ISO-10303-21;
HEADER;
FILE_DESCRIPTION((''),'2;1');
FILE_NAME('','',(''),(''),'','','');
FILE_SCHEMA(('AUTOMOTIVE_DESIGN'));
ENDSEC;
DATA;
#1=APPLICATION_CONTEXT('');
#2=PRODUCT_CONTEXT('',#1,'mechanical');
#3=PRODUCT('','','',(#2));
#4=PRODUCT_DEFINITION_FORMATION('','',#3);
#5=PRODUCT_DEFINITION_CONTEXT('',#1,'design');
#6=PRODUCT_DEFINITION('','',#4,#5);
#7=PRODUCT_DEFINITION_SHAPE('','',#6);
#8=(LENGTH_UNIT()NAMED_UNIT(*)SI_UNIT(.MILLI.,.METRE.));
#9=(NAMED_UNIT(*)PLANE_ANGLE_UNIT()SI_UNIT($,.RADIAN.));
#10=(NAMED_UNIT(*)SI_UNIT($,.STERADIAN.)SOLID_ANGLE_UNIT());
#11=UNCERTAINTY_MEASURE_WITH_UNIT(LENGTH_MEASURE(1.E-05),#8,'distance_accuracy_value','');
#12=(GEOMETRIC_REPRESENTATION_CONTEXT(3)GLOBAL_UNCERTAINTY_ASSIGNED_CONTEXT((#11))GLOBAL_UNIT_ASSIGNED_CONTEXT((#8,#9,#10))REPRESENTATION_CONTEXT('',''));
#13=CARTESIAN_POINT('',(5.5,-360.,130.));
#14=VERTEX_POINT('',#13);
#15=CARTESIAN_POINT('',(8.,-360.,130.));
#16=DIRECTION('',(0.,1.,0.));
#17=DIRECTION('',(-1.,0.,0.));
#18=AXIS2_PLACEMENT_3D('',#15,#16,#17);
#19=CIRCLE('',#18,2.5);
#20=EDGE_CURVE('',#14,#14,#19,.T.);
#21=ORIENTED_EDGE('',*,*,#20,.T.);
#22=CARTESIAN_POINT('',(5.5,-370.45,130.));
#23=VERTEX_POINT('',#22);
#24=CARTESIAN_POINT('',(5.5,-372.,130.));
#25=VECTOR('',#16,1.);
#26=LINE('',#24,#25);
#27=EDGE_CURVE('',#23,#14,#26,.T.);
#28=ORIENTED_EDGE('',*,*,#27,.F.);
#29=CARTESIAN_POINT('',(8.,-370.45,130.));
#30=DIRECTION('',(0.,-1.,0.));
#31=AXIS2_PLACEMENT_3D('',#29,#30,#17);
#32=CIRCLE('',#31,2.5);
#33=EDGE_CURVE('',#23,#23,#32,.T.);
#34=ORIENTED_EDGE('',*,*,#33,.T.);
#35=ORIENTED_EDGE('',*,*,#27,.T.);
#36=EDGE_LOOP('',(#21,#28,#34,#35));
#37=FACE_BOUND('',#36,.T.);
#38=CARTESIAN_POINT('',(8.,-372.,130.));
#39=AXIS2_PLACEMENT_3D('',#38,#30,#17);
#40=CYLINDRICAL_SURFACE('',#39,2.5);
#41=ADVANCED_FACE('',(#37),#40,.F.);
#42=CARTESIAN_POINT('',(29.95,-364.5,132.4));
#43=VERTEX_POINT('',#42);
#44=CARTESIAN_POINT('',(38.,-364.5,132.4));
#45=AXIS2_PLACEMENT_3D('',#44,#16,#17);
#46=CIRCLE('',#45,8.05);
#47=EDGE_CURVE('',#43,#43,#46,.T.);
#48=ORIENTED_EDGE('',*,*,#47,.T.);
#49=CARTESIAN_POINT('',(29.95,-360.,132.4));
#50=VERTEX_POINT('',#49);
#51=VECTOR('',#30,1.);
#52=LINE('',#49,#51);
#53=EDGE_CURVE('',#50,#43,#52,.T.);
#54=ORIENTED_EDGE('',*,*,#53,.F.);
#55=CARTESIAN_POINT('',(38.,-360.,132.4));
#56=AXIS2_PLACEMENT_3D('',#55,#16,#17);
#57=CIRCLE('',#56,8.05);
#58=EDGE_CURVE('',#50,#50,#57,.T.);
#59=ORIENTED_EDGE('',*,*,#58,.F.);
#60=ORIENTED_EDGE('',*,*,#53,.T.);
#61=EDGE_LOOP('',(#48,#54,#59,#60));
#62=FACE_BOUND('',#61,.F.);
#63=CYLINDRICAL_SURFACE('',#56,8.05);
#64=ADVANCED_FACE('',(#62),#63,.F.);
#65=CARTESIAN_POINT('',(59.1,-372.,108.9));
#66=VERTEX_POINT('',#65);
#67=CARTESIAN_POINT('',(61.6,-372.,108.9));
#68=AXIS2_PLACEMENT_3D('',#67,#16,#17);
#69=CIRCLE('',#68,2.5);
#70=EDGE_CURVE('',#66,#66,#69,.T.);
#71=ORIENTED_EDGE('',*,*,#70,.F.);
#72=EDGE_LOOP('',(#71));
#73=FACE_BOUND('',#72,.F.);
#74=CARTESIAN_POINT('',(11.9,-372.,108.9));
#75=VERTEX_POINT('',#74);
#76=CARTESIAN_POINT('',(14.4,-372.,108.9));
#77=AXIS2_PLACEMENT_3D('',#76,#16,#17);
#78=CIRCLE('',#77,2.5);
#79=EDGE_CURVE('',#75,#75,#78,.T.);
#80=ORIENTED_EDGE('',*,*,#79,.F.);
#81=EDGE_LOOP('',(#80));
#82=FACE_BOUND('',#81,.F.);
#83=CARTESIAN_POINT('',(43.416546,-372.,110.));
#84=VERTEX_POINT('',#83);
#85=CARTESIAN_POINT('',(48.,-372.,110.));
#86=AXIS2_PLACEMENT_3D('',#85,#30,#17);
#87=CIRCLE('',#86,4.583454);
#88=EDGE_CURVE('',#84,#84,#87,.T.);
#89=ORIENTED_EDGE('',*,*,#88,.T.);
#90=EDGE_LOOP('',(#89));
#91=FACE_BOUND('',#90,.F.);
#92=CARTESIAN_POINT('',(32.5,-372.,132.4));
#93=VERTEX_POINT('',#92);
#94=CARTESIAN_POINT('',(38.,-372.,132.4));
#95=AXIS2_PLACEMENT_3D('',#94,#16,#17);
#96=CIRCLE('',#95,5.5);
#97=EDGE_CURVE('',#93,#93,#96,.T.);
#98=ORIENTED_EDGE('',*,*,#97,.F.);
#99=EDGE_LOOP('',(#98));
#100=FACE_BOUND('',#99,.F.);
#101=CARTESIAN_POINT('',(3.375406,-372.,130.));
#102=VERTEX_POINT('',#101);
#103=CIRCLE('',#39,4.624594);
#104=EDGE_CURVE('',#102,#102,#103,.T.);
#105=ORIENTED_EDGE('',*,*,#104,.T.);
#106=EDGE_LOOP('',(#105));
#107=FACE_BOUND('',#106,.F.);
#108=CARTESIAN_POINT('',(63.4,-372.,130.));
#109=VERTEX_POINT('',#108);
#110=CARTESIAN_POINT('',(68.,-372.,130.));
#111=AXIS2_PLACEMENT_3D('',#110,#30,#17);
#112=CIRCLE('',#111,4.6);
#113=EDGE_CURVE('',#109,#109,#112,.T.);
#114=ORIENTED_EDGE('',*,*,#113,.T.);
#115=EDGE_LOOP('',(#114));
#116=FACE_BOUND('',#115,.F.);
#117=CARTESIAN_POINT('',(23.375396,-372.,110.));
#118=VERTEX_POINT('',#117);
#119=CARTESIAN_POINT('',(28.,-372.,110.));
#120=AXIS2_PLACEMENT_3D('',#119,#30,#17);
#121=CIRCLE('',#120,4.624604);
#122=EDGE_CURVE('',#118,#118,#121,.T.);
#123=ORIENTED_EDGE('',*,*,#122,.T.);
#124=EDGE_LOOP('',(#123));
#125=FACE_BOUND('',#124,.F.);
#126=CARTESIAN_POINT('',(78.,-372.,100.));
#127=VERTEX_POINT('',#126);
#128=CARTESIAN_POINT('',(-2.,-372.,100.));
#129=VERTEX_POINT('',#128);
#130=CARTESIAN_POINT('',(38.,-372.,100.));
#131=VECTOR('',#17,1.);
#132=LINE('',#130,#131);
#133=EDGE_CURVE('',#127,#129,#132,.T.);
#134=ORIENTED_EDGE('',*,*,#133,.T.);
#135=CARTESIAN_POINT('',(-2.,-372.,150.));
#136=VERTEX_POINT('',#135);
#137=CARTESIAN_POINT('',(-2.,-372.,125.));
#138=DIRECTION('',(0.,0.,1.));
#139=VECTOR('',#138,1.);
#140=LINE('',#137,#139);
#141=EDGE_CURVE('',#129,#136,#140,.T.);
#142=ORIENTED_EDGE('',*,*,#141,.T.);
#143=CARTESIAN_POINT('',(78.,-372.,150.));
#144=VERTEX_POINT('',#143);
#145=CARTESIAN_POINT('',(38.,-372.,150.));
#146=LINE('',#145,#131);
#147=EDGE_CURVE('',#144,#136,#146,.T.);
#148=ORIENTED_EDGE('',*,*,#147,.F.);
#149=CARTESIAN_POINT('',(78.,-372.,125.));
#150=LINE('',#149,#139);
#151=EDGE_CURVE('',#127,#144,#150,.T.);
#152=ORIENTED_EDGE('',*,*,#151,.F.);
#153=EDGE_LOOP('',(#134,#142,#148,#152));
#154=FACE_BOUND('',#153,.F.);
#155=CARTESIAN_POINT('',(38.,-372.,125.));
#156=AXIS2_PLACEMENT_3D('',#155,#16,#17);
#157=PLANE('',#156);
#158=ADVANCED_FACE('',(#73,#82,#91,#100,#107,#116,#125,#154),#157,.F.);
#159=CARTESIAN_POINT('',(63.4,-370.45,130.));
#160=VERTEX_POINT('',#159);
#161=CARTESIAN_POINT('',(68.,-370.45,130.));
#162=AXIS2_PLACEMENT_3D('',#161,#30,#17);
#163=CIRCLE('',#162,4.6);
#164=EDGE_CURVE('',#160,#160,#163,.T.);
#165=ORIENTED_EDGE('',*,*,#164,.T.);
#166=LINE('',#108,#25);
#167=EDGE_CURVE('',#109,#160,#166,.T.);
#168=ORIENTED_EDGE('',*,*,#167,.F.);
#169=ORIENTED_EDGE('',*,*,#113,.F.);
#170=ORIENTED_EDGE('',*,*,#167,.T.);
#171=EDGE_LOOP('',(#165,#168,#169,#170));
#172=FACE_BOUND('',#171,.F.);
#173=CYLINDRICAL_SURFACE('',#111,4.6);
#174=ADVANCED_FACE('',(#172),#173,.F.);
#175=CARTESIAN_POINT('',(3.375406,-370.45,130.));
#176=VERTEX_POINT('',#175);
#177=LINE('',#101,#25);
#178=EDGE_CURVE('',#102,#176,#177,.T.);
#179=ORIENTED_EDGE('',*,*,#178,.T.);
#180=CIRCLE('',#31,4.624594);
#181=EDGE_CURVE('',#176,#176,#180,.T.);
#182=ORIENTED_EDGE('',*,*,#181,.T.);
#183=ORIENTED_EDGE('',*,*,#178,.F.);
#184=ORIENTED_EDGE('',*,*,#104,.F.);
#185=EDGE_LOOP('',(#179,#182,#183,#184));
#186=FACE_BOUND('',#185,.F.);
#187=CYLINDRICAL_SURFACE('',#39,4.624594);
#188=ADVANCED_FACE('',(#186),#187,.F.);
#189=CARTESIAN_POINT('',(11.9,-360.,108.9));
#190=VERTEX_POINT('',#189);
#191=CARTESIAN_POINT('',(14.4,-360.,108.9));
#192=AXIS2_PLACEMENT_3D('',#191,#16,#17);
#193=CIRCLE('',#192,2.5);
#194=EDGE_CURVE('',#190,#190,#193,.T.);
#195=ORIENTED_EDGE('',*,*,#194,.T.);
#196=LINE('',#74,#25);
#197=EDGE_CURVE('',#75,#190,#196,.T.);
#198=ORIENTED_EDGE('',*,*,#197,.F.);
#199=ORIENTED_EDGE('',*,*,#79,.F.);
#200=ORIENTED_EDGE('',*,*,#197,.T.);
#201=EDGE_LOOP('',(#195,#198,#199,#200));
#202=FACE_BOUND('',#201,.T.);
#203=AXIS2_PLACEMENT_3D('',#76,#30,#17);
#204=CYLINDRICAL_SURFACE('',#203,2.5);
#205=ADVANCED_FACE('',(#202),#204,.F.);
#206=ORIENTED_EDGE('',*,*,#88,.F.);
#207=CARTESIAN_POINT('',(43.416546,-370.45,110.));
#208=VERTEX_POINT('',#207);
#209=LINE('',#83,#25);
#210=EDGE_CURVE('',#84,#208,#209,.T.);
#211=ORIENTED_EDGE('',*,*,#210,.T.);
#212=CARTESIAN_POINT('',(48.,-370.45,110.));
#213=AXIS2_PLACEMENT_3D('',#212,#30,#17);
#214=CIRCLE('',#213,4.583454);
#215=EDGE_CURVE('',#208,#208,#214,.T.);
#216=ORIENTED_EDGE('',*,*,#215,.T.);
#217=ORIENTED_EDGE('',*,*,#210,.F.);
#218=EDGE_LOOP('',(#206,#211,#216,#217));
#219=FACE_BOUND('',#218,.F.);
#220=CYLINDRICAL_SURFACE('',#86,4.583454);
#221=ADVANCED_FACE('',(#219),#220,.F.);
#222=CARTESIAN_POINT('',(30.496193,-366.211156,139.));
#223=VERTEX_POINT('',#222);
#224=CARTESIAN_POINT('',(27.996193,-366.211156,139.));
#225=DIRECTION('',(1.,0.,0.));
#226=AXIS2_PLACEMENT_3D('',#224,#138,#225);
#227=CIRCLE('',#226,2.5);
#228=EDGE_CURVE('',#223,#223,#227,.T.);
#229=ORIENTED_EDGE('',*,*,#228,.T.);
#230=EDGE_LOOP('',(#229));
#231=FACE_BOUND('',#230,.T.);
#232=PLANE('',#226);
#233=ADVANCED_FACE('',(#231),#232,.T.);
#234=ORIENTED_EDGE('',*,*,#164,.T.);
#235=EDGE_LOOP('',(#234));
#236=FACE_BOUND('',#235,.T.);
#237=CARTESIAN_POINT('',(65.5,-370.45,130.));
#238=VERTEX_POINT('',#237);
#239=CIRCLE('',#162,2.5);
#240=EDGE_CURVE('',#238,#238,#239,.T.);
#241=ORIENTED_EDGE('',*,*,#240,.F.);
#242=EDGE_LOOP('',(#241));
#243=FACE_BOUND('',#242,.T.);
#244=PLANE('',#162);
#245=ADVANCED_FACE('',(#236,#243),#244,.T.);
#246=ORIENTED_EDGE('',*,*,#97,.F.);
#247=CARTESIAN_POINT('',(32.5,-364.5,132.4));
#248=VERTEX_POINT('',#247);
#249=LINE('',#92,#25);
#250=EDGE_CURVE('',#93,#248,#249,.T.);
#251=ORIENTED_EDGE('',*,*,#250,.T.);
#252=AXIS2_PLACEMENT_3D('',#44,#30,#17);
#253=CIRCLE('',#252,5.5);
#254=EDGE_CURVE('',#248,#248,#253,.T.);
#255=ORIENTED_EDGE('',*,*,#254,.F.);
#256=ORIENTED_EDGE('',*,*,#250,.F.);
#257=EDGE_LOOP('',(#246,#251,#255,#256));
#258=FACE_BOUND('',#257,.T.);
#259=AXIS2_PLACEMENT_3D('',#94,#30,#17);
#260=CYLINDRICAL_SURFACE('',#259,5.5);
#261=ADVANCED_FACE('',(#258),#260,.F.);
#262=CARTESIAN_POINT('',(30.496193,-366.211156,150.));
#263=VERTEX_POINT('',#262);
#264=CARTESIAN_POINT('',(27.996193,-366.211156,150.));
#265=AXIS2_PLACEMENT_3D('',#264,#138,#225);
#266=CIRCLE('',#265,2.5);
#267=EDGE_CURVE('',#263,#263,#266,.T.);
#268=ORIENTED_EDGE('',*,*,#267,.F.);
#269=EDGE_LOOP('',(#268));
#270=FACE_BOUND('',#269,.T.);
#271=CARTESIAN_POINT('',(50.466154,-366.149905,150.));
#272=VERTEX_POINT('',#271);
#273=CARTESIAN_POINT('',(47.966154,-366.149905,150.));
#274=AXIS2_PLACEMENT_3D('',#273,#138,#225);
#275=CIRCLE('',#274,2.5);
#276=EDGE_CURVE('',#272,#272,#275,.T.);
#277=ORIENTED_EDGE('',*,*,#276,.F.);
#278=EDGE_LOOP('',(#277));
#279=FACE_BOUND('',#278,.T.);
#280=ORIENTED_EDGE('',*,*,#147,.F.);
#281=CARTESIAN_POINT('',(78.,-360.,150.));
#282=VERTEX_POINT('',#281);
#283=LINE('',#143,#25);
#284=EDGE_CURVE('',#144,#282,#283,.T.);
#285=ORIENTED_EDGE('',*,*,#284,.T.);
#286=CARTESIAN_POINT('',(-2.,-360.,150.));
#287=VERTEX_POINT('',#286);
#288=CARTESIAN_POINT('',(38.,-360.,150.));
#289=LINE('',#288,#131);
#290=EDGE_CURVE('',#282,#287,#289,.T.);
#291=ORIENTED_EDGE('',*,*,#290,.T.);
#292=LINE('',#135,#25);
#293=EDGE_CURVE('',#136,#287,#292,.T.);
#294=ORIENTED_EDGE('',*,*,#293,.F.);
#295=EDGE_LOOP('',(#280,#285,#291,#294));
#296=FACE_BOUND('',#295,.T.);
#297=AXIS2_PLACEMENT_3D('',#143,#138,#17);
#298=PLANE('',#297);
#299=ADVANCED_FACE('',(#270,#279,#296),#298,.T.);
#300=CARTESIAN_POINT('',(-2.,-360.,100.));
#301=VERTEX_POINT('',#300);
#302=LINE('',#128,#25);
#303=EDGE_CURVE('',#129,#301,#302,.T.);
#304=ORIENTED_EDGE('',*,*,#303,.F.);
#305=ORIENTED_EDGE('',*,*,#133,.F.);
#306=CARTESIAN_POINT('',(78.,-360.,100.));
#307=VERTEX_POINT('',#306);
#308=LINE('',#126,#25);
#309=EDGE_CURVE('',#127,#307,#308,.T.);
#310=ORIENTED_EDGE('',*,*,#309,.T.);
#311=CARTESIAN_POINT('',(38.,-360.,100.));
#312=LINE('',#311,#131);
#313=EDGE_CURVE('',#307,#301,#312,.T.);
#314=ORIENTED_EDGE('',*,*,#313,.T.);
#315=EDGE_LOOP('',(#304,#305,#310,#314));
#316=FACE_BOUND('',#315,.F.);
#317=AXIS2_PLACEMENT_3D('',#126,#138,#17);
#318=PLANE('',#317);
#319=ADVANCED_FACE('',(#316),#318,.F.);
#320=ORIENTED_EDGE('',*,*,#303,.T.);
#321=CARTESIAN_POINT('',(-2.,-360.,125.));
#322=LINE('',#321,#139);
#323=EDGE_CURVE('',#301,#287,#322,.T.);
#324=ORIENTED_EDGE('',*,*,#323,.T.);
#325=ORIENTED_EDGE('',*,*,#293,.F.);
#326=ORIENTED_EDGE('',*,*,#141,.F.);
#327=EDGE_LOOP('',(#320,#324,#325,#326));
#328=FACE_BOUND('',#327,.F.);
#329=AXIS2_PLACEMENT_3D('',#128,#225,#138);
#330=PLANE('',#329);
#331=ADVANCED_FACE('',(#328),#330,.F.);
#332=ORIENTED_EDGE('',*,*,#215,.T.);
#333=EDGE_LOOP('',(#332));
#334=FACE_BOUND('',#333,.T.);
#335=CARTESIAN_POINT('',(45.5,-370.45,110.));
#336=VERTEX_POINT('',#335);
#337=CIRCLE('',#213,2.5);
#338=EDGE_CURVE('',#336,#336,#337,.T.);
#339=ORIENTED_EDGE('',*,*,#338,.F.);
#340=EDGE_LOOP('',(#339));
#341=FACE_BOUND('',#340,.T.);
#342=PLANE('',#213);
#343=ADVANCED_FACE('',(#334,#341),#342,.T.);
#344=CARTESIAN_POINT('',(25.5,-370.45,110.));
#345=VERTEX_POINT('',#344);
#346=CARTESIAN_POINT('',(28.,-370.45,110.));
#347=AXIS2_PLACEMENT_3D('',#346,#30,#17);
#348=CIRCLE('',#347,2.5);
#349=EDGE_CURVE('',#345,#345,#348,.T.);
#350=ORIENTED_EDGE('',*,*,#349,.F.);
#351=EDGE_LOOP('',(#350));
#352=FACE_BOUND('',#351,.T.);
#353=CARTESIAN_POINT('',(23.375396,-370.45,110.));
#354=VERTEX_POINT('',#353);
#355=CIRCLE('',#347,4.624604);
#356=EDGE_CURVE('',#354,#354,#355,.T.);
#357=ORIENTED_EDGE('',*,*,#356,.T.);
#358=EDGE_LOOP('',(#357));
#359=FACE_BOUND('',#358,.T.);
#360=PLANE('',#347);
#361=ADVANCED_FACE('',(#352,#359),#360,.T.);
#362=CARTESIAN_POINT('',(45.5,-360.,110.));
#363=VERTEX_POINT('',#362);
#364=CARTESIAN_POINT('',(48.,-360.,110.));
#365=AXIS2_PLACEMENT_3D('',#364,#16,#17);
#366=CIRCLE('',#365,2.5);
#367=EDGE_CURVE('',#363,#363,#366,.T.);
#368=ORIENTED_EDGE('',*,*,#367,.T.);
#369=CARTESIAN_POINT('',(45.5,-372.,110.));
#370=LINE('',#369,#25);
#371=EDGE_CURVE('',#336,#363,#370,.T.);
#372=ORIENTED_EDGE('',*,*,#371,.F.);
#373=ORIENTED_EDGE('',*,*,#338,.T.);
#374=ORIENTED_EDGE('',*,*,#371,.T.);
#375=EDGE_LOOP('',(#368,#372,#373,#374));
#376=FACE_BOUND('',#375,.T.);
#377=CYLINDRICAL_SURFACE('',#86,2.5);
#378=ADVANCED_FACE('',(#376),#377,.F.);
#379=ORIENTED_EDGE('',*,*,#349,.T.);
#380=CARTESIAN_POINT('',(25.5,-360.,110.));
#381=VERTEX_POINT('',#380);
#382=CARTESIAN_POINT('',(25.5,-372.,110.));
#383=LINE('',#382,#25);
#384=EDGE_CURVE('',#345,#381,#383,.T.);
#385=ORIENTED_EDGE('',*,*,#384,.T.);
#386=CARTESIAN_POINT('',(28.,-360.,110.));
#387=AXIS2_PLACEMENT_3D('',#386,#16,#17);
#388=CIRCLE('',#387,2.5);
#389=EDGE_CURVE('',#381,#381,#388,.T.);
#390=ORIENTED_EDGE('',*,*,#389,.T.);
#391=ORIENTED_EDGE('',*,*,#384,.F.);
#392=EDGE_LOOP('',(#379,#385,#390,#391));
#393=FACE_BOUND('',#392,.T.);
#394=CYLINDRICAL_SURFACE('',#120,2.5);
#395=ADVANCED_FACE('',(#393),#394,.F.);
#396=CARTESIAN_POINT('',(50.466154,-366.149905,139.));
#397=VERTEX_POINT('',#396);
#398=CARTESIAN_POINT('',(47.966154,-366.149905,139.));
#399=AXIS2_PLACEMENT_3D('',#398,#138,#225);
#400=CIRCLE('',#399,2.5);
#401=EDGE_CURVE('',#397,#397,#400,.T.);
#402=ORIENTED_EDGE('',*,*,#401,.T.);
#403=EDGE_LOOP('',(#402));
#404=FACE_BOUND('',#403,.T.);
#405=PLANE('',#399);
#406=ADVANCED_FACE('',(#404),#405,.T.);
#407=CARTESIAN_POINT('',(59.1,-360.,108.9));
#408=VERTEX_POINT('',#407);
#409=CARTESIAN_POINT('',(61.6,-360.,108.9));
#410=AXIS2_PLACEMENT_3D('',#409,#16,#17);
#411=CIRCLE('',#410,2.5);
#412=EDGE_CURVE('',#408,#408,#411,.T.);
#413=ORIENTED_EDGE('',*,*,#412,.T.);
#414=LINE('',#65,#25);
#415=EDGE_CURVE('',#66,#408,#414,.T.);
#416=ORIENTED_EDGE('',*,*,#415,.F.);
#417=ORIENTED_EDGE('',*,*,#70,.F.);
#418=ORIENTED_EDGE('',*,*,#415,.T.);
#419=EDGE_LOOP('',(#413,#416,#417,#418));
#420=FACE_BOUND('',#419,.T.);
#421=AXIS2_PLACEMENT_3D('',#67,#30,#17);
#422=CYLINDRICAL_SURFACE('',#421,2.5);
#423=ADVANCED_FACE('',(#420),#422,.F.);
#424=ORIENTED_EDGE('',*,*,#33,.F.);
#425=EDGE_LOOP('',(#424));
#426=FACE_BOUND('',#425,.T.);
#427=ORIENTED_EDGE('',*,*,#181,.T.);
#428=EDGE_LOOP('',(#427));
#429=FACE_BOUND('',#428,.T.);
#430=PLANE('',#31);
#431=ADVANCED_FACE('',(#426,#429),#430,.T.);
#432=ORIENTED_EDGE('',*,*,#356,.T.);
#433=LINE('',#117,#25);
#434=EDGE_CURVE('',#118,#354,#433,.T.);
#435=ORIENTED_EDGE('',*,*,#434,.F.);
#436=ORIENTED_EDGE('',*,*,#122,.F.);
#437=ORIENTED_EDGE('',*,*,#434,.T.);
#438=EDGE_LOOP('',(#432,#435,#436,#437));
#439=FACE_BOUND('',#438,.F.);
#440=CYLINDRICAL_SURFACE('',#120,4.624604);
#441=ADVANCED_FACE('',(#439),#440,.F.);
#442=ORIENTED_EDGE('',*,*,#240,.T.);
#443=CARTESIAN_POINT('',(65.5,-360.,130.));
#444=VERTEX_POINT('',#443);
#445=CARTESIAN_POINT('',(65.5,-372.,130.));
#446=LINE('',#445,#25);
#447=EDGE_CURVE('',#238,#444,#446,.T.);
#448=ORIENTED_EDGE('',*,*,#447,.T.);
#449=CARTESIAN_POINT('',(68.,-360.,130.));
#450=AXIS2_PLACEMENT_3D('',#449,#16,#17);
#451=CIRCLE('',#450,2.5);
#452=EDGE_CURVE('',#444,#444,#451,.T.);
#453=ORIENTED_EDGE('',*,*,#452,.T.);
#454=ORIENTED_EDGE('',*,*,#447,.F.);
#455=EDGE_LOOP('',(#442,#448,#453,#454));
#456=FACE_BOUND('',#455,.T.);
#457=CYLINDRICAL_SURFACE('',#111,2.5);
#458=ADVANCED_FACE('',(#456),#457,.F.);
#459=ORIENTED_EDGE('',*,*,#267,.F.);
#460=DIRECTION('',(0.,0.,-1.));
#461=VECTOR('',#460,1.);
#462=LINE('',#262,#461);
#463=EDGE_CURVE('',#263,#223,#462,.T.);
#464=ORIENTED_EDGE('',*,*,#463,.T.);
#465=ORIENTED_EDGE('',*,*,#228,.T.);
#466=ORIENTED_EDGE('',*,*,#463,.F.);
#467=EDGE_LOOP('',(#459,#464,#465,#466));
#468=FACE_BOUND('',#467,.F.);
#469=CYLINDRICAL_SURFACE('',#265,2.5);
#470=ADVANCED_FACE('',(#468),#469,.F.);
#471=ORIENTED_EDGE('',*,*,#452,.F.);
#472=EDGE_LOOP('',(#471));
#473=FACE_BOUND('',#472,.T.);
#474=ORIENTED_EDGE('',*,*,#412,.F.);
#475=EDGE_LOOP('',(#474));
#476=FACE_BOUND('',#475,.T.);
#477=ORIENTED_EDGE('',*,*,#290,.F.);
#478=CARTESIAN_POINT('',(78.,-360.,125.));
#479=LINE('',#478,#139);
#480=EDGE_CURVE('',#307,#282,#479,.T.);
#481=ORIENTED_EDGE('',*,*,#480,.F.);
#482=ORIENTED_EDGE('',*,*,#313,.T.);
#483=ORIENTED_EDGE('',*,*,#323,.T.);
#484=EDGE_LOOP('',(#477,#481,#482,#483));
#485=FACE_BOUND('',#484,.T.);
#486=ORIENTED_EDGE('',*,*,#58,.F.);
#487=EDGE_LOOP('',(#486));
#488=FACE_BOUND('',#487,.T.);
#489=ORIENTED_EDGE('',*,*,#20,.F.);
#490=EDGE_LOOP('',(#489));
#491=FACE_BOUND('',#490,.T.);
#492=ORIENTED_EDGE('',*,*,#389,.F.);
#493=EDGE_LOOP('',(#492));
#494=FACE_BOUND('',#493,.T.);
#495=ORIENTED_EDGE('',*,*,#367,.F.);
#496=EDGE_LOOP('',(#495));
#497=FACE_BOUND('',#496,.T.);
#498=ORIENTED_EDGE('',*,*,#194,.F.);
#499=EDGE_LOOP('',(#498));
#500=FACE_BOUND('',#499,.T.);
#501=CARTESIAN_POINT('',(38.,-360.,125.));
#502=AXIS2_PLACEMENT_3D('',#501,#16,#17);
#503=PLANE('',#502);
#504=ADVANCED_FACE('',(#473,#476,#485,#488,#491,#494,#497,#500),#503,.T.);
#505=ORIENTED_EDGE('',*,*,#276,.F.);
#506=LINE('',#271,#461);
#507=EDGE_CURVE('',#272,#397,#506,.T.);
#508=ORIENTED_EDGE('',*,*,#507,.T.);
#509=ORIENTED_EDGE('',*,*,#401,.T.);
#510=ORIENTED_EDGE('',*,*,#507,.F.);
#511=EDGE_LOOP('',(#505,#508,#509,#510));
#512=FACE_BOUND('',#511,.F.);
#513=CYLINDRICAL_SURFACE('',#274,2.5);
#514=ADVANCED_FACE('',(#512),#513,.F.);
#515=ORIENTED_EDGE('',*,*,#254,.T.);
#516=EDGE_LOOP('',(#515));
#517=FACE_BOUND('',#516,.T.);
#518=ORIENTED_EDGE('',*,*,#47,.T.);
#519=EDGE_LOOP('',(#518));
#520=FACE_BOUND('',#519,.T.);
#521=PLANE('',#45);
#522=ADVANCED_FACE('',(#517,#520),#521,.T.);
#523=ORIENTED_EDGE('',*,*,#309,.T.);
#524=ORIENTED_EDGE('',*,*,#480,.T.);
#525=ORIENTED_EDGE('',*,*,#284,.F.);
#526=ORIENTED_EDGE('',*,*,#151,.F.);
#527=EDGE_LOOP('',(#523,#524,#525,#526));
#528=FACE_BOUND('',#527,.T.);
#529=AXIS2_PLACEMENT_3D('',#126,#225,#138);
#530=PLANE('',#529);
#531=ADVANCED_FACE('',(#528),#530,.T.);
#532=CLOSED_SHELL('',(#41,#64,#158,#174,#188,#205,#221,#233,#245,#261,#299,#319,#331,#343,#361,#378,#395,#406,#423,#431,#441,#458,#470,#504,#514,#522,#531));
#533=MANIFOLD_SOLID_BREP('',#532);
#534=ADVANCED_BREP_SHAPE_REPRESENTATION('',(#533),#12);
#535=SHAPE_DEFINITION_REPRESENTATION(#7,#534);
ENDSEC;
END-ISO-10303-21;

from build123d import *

# Parameters (mm, degrees)
SKETCH019_W     = 80
SKETCH019_H     = 50
SKETCH019_R     = 2.5
SKETCH019_R_2   = 5.5
PAD004_DEPTH    = 12
SKETCH020_R     = 2.5
POCKET012_DEPTH = 11
SKETCH021_R     = 8.05
POCKET013_DEPTH = 4.5
SKETCH022_R     = 4.6
SKETCH022_R_2   = 4.624594
SKETCH022_R_3   = 4.583454
SKETCH022_R_4   = 4.624604
POCKET014_DEPTH = 1.55


with BuildPart() as part:
    # Sketch019 → Pad004 (new body)
    with BuildSketch(Plane(origin=(78, -372, 100), x_dir=(-1, 0, 0), z_dir=(0, 1, 0))):
        with Locations((40, 25)):
            Rectangle(SKETCH019_W, SKETCH019_H)
        with Locations((10, 30)):
            Circle(SKETCH019_R, mode=Mode.SUBTRACT)
        with Locations((30, 10)):
            Circle(SKETCH019_R, mode=Mode.SUBTRACT)
        with Locations((16.4, 8.9)):
            Circle(SKETCH019_R, mode=Mode.SUBTRACT)
        with Locations((50, 10)):
            Circle(SKETCH019_R, mode=Mode.SUBTRACT)
        with Locations((63.6, 8.9)):
            Circle(SKETCH019_R, mode=Mode.SUBTRACT)
        with Locations((70, 30)):
            Circle(SKETCH019_R, mode=Mode.SUBTRACT)
        with Locations((40, 32.4)):
            Circle(SKETCH019_R_2, mode=Mode.SUBTRACT)
    extrude(amount=PAD004_DEPTH)

    # Sketch020 → Pocket012 (cut)
    with BuildSketch(Plane(origin=(78, -372, 150), x_dir=(1, 0, 0), z_dir=(0, 0, 1))):
        with Locations((-30.033846, 5.850095)):
            Circle(SKETCH020_R)
        with Locations((-50.003807, 5.788844)):
            Circle(SKETCH020_R)
    extrude(amount=-POCKET012_DEPTH, mode=Mode.SUBTRACT)

    # Sketch021 → Pocket013 (cut)
    with BuildSketch(Plane(origin=(78, -360, 100), x_dir=(-1, 0, 0), z_dir=(0, 1, 0))):
        with Locations((40, 32.4)):
            Circle(SKETCH021_R)
    extrude(amount=-POCKET013_DEPTH, mode=Mode.SUBTRACT)

    # Sketch022 → Pocket014 (cut)
    with BuildSketch(Plane(origin=(78, -372, 100), x_dir=(-1, 0, 0), z_dir=(0, -1, 0))):
        with Locations((10, -30)):
            Circle(SKETCH022_R)
        with Locations((70, -30)):
            Circle(SKETCH022_R_2)
        with Locations((30, -10)):
            Circle(SKETCH022_R_3)
        with Locations((50, -10)):
            Circle(SKETCH022_R_4)
    extrude(amount=-POCKET014_DEPTH, mode=Mode.SUBTRACT)


solid = part.part
